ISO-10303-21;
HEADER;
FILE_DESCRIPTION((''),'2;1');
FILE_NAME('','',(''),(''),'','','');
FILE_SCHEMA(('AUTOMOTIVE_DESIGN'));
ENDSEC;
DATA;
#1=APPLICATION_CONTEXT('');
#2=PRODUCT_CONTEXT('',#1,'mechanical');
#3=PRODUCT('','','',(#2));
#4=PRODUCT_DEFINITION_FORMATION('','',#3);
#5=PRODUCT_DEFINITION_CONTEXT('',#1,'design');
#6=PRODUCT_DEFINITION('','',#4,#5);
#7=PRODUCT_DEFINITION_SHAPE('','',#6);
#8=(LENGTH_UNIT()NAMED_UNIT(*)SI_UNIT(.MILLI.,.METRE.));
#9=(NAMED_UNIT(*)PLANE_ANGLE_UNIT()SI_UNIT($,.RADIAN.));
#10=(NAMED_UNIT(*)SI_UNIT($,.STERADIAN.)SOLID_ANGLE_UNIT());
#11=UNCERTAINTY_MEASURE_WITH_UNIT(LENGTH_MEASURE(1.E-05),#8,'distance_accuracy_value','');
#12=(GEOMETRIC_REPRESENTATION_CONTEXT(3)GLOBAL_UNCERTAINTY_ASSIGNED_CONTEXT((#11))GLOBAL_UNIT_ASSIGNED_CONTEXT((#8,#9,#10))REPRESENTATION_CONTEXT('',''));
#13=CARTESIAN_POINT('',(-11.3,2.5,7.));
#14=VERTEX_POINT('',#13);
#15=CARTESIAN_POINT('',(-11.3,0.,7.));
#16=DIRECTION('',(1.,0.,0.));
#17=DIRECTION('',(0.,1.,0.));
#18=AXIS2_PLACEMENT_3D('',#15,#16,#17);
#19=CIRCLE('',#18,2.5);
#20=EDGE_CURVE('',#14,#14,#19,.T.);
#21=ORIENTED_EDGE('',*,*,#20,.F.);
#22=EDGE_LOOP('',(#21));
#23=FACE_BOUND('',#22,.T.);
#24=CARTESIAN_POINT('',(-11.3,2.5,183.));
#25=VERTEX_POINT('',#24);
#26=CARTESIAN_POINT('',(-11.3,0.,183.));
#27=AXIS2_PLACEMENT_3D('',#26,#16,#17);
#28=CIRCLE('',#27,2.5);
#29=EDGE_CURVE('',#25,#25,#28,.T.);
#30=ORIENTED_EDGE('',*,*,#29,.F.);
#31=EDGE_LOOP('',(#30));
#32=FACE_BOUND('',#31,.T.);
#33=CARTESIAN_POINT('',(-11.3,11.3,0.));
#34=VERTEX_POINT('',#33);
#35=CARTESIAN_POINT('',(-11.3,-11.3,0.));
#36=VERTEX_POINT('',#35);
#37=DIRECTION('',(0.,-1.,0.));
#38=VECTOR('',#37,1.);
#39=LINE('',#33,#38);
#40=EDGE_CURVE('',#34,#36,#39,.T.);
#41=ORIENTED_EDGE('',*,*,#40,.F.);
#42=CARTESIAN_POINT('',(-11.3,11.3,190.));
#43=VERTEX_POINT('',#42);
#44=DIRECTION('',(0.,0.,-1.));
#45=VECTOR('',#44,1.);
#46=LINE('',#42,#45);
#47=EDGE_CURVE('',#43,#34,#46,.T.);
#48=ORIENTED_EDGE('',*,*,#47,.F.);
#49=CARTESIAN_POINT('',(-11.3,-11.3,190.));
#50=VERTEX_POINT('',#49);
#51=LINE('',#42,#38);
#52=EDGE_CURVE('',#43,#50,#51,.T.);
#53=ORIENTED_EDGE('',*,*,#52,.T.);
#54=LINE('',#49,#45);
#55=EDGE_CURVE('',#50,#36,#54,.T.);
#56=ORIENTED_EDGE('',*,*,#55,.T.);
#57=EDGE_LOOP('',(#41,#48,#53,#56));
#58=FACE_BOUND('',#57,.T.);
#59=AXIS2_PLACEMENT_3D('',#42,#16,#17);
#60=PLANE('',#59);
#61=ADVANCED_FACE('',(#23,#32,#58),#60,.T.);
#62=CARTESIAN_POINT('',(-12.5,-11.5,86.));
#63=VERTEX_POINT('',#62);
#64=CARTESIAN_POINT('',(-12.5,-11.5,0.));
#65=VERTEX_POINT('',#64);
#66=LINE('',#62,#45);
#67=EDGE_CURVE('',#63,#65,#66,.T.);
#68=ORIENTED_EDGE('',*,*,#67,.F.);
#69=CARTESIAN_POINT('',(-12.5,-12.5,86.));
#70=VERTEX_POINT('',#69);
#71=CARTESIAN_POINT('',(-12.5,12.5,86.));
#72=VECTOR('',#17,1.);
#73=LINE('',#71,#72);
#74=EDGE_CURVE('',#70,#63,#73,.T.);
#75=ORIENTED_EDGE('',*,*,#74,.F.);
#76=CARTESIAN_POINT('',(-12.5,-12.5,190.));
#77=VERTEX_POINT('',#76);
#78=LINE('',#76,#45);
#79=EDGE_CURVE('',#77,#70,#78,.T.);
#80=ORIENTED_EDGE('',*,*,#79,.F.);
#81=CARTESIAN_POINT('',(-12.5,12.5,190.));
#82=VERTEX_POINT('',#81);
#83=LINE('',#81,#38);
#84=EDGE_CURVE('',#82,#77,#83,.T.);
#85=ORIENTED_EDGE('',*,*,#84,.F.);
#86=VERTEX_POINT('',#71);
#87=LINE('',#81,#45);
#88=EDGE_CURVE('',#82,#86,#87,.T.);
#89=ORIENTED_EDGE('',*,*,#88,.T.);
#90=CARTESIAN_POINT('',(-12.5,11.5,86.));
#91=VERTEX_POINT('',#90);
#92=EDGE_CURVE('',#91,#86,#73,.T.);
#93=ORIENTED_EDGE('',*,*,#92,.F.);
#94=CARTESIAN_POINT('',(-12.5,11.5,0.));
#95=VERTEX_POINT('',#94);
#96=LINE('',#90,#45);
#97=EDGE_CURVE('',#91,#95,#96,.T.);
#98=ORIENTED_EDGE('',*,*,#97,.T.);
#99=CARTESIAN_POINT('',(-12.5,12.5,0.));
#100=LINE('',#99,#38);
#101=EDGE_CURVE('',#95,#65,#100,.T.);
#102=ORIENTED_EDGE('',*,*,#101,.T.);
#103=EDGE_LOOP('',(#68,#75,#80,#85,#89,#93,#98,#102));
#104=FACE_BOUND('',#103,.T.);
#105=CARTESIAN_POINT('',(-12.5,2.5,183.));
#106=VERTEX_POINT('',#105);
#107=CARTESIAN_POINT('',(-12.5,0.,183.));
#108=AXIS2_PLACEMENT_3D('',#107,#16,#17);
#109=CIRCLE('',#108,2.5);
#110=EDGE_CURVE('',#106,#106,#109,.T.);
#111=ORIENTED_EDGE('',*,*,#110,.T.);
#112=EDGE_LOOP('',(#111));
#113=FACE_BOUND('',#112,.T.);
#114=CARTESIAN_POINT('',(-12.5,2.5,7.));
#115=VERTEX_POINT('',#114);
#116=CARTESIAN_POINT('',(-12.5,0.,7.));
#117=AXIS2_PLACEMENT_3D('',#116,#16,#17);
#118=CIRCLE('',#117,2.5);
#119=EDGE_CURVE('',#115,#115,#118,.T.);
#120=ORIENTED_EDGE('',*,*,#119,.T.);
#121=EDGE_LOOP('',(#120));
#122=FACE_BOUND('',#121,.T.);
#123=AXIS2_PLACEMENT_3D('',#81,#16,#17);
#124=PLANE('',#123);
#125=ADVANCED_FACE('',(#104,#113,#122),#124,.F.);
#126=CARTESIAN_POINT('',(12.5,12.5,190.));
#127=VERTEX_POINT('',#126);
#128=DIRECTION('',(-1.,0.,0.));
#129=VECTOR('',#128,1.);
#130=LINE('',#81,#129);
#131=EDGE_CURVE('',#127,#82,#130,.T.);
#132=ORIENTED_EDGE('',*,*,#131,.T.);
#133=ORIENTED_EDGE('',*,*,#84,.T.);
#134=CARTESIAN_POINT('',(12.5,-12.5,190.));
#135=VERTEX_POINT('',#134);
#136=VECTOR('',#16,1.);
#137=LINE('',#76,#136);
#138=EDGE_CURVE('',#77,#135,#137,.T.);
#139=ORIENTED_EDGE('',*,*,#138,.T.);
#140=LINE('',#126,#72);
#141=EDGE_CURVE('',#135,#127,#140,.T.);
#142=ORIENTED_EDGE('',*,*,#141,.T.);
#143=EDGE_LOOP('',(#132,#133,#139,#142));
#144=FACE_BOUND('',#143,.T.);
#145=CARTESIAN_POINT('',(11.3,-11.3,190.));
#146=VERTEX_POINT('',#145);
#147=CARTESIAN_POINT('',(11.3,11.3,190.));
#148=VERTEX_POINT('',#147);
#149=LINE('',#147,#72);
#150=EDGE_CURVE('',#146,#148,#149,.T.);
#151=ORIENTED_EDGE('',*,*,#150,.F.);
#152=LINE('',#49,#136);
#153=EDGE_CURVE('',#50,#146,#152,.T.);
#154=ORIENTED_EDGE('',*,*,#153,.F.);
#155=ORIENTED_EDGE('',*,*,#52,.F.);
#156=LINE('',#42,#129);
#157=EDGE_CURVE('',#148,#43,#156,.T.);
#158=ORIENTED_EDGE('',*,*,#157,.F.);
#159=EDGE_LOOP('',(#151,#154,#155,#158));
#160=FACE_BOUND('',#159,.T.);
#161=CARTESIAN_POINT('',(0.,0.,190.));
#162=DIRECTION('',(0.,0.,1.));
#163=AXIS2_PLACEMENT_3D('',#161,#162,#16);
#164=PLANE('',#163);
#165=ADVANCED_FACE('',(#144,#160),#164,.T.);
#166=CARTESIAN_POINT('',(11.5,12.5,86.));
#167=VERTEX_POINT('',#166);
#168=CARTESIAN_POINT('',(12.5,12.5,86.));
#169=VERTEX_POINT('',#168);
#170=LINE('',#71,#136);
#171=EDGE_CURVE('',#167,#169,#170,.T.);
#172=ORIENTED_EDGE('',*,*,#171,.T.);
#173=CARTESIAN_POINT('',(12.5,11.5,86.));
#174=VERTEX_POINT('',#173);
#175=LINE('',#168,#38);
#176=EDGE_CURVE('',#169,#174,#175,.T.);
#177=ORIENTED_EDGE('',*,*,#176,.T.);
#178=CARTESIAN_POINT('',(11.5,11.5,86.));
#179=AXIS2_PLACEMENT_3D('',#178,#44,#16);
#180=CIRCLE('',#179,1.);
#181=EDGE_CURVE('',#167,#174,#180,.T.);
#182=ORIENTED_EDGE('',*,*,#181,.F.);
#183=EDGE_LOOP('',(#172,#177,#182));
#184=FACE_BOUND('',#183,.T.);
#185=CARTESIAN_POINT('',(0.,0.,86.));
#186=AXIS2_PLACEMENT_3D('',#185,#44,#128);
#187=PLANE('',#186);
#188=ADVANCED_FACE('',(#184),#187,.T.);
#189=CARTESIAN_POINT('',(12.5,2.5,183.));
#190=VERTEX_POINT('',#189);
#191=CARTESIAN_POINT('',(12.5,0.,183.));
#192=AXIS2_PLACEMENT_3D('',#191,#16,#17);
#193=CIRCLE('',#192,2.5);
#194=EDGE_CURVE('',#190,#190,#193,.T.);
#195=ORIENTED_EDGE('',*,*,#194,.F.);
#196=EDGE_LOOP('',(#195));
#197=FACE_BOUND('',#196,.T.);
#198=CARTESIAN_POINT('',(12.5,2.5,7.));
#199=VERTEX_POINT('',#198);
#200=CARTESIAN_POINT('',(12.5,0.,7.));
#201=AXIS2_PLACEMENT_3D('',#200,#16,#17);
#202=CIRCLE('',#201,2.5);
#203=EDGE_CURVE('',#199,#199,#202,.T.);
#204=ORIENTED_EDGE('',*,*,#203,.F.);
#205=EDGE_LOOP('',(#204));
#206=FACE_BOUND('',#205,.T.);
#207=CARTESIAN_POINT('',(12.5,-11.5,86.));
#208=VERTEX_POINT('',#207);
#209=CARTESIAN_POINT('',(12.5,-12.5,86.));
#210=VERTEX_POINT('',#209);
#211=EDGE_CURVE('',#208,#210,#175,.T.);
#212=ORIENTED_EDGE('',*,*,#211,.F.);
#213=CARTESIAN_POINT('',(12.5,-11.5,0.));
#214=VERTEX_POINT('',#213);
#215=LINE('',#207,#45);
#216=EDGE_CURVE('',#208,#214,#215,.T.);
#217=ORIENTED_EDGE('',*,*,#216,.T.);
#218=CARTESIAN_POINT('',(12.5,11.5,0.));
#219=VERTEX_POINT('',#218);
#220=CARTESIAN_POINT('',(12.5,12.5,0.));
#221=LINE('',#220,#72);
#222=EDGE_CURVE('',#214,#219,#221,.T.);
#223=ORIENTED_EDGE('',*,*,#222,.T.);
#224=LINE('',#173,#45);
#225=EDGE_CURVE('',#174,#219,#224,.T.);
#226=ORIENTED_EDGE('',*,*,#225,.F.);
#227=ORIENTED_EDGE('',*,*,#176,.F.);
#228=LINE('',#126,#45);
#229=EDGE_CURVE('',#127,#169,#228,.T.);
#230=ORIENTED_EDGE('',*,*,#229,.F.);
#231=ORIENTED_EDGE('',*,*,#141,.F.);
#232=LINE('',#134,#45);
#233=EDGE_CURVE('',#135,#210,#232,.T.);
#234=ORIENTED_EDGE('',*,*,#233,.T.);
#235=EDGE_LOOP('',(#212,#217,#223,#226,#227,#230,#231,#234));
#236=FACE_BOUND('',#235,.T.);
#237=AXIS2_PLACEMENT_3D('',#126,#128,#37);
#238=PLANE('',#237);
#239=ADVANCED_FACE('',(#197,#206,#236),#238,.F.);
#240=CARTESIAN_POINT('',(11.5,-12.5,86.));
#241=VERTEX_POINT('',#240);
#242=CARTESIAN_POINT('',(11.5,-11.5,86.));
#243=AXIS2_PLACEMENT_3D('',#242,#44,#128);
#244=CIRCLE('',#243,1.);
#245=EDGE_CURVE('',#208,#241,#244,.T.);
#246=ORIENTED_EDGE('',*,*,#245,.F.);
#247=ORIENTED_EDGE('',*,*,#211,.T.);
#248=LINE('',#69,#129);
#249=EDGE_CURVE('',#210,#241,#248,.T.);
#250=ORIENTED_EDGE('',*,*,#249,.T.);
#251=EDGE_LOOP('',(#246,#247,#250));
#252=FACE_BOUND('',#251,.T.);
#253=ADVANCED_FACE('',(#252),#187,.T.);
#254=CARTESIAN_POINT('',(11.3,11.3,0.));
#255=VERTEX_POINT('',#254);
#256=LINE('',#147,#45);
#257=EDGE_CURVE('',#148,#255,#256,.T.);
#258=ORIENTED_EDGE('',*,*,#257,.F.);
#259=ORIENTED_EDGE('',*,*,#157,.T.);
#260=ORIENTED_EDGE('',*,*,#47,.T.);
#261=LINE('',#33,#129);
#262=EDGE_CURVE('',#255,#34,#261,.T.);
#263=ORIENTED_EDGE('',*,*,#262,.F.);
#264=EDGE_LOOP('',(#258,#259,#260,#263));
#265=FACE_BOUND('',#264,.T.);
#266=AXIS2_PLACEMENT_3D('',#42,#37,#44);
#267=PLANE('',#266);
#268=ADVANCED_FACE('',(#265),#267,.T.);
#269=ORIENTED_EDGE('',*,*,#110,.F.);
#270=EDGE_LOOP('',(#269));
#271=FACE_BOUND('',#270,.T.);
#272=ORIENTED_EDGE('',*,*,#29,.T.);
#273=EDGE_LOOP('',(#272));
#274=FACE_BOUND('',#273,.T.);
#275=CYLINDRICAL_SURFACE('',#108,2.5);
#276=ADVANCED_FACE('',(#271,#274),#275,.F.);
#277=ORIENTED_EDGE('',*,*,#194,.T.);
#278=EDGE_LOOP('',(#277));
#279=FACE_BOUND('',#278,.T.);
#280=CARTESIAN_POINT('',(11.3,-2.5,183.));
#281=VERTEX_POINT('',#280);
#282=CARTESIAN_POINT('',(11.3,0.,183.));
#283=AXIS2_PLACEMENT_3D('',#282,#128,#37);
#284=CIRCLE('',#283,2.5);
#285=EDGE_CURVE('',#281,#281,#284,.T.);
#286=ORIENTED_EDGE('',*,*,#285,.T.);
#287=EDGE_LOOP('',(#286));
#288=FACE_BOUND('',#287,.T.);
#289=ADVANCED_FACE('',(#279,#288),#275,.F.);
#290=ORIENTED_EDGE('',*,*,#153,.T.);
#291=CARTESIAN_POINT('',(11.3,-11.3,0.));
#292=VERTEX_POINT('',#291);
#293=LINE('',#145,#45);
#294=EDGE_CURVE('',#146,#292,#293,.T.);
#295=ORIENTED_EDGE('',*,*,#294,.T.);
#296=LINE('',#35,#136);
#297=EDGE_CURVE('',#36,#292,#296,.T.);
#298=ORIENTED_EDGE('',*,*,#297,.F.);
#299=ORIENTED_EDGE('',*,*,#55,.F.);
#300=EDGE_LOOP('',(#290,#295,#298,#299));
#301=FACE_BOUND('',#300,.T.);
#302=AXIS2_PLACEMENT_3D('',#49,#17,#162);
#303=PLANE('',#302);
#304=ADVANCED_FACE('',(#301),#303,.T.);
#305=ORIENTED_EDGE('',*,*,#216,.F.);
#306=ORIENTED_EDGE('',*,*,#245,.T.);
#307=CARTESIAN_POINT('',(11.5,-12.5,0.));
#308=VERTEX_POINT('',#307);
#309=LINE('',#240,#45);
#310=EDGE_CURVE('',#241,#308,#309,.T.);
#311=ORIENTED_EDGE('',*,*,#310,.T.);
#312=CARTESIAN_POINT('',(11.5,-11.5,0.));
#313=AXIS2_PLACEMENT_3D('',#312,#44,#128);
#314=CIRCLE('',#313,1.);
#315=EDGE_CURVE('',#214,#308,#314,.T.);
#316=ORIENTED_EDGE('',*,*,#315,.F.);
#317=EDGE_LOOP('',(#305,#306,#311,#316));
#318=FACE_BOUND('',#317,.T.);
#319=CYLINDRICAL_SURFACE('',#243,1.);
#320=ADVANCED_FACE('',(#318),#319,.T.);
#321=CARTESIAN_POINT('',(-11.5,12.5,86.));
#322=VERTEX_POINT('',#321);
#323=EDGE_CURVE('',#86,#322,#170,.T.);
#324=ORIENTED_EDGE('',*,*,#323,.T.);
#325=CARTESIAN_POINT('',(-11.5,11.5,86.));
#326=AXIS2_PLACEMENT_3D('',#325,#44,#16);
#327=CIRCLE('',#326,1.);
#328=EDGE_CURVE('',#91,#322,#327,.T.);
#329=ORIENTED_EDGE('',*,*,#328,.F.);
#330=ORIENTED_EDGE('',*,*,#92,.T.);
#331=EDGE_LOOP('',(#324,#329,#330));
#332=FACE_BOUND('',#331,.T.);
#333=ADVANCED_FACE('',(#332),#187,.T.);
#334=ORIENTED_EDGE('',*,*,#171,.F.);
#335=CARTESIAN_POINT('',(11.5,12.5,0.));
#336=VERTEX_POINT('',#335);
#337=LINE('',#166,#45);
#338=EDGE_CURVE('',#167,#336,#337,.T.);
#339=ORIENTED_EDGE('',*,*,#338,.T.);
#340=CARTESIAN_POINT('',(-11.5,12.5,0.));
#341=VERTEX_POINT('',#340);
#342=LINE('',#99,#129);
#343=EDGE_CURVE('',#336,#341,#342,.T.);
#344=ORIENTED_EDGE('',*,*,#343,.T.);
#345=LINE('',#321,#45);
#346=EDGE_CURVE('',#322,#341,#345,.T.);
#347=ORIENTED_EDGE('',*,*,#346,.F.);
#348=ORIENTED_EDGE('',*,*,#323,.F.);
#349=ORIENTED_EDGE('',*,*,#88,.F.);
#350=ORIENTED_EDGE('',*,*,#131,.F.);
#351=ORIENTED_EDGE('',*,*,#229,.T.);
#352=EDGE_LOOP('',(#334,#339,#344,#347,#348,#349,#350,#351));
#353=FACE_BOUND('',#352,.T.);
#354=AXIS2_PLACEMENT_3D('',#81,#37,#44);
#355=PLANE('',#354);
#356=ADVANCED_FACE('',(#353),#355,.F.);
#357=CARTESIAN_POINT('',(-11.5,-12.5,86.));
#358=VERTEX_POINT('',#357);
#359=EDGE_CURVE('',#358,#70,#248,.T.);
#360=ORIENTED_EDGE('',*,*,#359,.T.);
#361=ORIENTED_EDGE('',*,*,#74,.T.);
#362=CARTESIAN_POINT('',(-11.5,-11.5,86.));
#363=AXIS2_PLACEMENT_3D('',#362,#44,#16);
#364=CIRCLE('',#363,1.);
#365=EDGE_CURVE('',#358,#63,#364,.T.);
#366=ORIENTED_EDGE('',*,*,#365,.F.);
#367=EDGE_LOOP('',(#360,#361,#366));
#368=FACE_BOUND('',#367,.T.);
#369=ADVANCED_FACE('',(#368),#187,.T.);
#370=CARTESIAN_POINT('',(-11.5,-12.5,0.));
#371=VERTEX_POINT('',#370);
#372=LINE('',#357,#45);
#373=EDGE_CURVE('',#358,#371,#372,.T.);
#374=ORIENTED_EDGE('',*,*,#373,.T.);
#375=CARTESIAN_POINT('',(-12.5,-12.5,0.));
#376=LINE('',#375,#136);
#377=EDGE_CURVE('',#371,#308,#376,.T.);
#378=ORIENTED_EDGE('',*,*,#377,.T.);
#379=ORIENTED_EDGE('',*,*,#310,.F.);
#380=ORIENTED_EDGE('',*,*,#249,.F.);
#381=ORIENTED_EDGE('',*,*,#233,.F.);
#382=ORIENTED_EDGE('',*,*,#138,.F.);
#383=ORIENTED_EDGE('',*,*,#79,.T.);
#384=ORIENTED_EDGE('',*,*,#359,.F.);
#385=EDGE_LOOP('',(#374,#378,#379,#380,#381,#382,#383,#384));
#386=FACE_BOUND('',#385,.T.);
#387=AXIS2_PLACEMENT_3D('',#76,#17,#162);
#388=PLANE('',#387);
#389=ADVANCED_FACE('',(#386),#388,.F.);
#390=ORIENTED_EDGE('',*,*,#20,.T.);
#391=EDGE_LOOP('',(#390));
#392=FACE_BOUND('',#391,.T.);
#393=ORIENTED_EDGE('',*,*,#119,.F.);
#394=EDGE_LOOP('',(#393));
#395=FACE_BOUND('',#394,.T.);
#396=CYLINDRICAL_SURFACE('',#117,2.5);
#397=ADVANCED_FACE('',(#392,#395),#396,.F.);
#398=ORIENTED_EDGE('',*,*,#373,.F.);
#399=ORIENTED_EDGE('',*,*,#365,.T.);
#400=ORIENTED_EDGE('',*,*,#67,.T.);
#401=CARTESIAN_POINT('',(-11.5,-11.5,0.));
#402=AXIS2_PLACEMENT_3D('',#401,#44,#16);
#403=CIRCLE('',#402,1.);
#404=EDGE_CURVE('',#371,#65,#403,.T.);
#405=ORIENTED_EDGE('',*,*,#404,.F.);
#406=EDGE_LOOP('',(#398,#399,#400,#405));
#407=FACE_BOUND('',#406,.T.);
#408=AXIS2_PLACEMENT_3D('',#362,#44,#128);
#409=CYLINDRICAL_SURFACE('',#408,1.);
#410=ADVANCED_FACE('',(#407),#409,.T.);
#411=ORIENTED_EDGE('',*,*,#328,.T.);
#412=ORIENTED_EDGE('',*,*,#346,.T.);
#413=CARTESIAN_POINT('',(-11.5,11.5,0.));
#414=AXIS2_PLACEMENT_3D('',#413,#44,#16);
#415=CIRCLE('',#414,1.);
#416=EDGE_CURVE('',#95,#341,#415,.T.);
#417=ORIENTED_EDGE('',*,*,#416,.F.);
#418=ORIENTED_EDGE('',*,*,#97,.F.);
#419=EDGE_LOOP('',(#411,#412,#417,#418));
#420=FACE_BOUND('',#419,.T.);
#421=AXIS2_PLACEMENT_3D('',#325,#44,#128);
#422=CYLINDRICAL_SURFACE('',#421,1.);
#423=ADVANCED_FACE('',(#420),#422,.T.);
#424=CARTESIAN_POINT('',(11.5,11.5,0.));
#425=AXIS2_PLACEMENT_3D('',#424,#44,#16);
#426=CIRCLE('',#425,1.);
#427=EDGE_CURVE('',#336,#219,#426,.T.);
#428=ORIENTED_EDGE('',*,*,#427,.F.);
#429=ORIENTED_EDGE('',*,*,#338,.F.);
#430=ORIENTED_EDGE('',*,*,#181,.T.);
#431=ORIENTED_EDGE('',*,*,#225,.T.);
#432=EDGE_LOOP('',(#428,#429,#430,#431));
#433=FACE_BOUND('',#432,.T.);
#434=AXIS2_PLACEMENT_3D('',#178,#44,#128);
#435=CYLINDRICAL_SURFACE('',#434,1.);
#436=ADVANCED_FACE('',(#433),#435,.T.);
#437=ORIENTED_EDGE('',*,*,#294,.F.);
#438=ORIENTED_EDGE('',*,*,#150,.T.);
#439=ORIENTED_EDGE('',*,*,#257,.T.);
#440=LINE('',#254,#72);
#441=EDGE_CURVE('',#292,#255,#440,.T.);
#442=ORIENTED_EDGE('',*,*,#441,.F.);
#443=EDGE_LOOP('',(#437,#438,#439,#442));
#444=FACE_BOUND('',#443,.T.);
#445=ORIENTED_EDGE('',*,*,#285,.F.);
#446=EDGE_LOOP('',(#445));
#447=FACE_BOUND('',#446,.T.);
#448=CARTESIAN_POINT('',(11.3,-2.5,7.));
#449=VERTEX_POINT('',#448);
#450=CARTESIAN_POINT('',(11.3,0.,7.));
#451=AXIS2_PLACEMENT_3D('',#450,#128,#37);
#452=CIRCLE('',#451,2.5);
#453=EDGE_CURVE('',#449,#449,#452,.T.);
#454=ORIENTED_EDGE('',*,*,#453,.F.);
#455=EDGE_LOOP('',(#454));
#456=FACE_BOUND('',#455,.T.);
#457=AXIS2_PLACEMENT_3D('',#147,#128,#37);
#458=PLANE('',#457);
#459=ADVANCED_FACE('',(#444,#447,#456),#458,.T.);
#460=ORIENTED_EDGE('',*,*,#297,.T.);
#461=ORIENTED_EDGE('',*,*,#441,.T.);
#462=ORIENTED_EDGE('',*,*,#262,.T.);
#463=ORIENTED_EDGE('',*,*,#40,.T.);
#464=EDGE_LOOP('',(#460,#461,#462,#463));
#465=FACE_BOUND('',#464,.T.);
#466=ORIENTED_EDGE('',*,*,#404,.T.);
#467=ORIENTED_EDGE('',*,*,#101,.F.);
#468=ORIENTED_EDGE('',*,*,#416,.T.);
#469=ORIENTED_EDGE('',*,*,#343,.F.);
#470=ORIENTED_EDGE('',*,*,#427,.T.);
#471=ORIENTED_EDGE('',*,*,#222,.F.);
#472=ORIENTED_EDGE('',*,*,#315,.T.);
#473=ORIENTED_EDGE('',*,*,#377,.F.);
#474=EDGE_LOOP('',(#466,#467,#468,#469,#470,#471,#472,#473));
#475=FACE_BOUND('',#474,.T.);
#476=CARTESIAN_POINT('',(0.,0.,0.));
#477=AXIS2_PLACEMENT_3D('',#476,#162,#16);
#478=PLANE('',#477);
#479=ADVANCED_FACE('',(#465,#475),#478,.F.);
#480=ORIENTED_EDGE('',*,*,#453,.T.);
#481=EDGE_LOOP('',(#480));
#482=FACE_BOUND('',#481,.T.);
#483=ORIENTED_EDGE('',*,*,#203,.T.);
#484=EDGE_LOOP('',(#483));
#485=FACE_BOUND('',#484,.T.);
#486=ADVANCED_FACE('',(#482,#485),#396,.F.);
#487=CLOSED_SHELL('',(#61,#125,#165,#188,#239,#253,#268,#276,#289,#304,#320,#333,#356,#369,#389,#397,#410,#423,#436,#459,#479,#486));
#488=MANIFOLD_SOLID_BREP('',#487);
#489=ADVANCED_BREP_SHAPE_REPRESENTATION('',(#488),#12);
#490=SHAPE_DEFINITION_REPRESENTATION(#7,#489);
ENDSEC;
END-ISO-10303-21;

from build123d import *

# Parameters (mm, degrees)
CROQUIS1_W              = 25
CROQUIS1_H              = 25
CROQUIS1_W_2            = 22.6
CROQUIS1_H_2            = 22.6
SALIENTE_EXTRUIR1_DEPTH = 190
CROQUIS2_R              = 2.5
CORTAR_EXTRUIR1_DEPTH   = 193.044916621
CROQUIS3_R              = 40
CORTAR_EXTRUIR2_DEPTH   = 86


with BuildPart() as part:
    # Croquis1 → Saliente-Extruir1 (new body)
    with BuildSketch(Plane.XY):
        Rectangle(CROQUIS1_W, CROQUIS1_H)
        Rectangle(CROQUIS1_W_2, CROQUIS1_H_2, mode=Mode.SUBTRACT)
    extrude(amount=SALIENTE_EXTRUIR1_DEPTH)

    # Croquis2 → Cortar-Extruir1 (cut, through all)
    with BuildSketch(Plane(origin=(12.5, 0, 0), x_dir=(0, 0, -1), z_dir=(1, 0, 0))):
        with Locations(Location((-7, 0, 0), (0, 0, 90))):
            Circle(CROQUIS2_R)
        with Locations(Location((-183, 0, 0), (0, 0, 90))):
            Circle(CROQUIS2_R)
    extrude(amount=-CORTAR_EXTRUIR1_DEPTH, mode=Mode.SUBTRACT)

    # Croquis3 → Cortar-Extruir2 (cut)
    with BuildSketch(Plane(origin=(0, 0, 0), x_dir=(-1, 0, 0), z_dir=(0, 0, -1))):
        Circle(CROQUIS3_R)
        with BuildLine():
            Line((-11.5, 12.5), (11.5, 12.5))
            ThreePointArc((11.5, 12.5), (12.207106781, 12.207106781), (12.5, 11.5))
            Line((12.5, 11.5), (12.5, -11.5))
            ThreePointArc((12.5, -11.5), (12.207106781, -12.207106781), (11.5, -12.5))
            Line((11.5, -12.5), (-11.5, -12.5))
            ThreePointArc((-11.5, -12.5), (-12.207106781, -12.207106781), (-12.5, -11.5))
            Line((-12.5, -11.5), (-12.5, 11.5))
            ThreePointArc((-12.5, 11.5), (-12.207106781, 12.207106781), (-11.5, 12.5))
        make_face(mode=Mode.SUBTRACT)
    extrude(amount=-CORTAR_EXTRUIR2_DEPTH, mode=Mode.SUBTRACT)


solid = part.part
